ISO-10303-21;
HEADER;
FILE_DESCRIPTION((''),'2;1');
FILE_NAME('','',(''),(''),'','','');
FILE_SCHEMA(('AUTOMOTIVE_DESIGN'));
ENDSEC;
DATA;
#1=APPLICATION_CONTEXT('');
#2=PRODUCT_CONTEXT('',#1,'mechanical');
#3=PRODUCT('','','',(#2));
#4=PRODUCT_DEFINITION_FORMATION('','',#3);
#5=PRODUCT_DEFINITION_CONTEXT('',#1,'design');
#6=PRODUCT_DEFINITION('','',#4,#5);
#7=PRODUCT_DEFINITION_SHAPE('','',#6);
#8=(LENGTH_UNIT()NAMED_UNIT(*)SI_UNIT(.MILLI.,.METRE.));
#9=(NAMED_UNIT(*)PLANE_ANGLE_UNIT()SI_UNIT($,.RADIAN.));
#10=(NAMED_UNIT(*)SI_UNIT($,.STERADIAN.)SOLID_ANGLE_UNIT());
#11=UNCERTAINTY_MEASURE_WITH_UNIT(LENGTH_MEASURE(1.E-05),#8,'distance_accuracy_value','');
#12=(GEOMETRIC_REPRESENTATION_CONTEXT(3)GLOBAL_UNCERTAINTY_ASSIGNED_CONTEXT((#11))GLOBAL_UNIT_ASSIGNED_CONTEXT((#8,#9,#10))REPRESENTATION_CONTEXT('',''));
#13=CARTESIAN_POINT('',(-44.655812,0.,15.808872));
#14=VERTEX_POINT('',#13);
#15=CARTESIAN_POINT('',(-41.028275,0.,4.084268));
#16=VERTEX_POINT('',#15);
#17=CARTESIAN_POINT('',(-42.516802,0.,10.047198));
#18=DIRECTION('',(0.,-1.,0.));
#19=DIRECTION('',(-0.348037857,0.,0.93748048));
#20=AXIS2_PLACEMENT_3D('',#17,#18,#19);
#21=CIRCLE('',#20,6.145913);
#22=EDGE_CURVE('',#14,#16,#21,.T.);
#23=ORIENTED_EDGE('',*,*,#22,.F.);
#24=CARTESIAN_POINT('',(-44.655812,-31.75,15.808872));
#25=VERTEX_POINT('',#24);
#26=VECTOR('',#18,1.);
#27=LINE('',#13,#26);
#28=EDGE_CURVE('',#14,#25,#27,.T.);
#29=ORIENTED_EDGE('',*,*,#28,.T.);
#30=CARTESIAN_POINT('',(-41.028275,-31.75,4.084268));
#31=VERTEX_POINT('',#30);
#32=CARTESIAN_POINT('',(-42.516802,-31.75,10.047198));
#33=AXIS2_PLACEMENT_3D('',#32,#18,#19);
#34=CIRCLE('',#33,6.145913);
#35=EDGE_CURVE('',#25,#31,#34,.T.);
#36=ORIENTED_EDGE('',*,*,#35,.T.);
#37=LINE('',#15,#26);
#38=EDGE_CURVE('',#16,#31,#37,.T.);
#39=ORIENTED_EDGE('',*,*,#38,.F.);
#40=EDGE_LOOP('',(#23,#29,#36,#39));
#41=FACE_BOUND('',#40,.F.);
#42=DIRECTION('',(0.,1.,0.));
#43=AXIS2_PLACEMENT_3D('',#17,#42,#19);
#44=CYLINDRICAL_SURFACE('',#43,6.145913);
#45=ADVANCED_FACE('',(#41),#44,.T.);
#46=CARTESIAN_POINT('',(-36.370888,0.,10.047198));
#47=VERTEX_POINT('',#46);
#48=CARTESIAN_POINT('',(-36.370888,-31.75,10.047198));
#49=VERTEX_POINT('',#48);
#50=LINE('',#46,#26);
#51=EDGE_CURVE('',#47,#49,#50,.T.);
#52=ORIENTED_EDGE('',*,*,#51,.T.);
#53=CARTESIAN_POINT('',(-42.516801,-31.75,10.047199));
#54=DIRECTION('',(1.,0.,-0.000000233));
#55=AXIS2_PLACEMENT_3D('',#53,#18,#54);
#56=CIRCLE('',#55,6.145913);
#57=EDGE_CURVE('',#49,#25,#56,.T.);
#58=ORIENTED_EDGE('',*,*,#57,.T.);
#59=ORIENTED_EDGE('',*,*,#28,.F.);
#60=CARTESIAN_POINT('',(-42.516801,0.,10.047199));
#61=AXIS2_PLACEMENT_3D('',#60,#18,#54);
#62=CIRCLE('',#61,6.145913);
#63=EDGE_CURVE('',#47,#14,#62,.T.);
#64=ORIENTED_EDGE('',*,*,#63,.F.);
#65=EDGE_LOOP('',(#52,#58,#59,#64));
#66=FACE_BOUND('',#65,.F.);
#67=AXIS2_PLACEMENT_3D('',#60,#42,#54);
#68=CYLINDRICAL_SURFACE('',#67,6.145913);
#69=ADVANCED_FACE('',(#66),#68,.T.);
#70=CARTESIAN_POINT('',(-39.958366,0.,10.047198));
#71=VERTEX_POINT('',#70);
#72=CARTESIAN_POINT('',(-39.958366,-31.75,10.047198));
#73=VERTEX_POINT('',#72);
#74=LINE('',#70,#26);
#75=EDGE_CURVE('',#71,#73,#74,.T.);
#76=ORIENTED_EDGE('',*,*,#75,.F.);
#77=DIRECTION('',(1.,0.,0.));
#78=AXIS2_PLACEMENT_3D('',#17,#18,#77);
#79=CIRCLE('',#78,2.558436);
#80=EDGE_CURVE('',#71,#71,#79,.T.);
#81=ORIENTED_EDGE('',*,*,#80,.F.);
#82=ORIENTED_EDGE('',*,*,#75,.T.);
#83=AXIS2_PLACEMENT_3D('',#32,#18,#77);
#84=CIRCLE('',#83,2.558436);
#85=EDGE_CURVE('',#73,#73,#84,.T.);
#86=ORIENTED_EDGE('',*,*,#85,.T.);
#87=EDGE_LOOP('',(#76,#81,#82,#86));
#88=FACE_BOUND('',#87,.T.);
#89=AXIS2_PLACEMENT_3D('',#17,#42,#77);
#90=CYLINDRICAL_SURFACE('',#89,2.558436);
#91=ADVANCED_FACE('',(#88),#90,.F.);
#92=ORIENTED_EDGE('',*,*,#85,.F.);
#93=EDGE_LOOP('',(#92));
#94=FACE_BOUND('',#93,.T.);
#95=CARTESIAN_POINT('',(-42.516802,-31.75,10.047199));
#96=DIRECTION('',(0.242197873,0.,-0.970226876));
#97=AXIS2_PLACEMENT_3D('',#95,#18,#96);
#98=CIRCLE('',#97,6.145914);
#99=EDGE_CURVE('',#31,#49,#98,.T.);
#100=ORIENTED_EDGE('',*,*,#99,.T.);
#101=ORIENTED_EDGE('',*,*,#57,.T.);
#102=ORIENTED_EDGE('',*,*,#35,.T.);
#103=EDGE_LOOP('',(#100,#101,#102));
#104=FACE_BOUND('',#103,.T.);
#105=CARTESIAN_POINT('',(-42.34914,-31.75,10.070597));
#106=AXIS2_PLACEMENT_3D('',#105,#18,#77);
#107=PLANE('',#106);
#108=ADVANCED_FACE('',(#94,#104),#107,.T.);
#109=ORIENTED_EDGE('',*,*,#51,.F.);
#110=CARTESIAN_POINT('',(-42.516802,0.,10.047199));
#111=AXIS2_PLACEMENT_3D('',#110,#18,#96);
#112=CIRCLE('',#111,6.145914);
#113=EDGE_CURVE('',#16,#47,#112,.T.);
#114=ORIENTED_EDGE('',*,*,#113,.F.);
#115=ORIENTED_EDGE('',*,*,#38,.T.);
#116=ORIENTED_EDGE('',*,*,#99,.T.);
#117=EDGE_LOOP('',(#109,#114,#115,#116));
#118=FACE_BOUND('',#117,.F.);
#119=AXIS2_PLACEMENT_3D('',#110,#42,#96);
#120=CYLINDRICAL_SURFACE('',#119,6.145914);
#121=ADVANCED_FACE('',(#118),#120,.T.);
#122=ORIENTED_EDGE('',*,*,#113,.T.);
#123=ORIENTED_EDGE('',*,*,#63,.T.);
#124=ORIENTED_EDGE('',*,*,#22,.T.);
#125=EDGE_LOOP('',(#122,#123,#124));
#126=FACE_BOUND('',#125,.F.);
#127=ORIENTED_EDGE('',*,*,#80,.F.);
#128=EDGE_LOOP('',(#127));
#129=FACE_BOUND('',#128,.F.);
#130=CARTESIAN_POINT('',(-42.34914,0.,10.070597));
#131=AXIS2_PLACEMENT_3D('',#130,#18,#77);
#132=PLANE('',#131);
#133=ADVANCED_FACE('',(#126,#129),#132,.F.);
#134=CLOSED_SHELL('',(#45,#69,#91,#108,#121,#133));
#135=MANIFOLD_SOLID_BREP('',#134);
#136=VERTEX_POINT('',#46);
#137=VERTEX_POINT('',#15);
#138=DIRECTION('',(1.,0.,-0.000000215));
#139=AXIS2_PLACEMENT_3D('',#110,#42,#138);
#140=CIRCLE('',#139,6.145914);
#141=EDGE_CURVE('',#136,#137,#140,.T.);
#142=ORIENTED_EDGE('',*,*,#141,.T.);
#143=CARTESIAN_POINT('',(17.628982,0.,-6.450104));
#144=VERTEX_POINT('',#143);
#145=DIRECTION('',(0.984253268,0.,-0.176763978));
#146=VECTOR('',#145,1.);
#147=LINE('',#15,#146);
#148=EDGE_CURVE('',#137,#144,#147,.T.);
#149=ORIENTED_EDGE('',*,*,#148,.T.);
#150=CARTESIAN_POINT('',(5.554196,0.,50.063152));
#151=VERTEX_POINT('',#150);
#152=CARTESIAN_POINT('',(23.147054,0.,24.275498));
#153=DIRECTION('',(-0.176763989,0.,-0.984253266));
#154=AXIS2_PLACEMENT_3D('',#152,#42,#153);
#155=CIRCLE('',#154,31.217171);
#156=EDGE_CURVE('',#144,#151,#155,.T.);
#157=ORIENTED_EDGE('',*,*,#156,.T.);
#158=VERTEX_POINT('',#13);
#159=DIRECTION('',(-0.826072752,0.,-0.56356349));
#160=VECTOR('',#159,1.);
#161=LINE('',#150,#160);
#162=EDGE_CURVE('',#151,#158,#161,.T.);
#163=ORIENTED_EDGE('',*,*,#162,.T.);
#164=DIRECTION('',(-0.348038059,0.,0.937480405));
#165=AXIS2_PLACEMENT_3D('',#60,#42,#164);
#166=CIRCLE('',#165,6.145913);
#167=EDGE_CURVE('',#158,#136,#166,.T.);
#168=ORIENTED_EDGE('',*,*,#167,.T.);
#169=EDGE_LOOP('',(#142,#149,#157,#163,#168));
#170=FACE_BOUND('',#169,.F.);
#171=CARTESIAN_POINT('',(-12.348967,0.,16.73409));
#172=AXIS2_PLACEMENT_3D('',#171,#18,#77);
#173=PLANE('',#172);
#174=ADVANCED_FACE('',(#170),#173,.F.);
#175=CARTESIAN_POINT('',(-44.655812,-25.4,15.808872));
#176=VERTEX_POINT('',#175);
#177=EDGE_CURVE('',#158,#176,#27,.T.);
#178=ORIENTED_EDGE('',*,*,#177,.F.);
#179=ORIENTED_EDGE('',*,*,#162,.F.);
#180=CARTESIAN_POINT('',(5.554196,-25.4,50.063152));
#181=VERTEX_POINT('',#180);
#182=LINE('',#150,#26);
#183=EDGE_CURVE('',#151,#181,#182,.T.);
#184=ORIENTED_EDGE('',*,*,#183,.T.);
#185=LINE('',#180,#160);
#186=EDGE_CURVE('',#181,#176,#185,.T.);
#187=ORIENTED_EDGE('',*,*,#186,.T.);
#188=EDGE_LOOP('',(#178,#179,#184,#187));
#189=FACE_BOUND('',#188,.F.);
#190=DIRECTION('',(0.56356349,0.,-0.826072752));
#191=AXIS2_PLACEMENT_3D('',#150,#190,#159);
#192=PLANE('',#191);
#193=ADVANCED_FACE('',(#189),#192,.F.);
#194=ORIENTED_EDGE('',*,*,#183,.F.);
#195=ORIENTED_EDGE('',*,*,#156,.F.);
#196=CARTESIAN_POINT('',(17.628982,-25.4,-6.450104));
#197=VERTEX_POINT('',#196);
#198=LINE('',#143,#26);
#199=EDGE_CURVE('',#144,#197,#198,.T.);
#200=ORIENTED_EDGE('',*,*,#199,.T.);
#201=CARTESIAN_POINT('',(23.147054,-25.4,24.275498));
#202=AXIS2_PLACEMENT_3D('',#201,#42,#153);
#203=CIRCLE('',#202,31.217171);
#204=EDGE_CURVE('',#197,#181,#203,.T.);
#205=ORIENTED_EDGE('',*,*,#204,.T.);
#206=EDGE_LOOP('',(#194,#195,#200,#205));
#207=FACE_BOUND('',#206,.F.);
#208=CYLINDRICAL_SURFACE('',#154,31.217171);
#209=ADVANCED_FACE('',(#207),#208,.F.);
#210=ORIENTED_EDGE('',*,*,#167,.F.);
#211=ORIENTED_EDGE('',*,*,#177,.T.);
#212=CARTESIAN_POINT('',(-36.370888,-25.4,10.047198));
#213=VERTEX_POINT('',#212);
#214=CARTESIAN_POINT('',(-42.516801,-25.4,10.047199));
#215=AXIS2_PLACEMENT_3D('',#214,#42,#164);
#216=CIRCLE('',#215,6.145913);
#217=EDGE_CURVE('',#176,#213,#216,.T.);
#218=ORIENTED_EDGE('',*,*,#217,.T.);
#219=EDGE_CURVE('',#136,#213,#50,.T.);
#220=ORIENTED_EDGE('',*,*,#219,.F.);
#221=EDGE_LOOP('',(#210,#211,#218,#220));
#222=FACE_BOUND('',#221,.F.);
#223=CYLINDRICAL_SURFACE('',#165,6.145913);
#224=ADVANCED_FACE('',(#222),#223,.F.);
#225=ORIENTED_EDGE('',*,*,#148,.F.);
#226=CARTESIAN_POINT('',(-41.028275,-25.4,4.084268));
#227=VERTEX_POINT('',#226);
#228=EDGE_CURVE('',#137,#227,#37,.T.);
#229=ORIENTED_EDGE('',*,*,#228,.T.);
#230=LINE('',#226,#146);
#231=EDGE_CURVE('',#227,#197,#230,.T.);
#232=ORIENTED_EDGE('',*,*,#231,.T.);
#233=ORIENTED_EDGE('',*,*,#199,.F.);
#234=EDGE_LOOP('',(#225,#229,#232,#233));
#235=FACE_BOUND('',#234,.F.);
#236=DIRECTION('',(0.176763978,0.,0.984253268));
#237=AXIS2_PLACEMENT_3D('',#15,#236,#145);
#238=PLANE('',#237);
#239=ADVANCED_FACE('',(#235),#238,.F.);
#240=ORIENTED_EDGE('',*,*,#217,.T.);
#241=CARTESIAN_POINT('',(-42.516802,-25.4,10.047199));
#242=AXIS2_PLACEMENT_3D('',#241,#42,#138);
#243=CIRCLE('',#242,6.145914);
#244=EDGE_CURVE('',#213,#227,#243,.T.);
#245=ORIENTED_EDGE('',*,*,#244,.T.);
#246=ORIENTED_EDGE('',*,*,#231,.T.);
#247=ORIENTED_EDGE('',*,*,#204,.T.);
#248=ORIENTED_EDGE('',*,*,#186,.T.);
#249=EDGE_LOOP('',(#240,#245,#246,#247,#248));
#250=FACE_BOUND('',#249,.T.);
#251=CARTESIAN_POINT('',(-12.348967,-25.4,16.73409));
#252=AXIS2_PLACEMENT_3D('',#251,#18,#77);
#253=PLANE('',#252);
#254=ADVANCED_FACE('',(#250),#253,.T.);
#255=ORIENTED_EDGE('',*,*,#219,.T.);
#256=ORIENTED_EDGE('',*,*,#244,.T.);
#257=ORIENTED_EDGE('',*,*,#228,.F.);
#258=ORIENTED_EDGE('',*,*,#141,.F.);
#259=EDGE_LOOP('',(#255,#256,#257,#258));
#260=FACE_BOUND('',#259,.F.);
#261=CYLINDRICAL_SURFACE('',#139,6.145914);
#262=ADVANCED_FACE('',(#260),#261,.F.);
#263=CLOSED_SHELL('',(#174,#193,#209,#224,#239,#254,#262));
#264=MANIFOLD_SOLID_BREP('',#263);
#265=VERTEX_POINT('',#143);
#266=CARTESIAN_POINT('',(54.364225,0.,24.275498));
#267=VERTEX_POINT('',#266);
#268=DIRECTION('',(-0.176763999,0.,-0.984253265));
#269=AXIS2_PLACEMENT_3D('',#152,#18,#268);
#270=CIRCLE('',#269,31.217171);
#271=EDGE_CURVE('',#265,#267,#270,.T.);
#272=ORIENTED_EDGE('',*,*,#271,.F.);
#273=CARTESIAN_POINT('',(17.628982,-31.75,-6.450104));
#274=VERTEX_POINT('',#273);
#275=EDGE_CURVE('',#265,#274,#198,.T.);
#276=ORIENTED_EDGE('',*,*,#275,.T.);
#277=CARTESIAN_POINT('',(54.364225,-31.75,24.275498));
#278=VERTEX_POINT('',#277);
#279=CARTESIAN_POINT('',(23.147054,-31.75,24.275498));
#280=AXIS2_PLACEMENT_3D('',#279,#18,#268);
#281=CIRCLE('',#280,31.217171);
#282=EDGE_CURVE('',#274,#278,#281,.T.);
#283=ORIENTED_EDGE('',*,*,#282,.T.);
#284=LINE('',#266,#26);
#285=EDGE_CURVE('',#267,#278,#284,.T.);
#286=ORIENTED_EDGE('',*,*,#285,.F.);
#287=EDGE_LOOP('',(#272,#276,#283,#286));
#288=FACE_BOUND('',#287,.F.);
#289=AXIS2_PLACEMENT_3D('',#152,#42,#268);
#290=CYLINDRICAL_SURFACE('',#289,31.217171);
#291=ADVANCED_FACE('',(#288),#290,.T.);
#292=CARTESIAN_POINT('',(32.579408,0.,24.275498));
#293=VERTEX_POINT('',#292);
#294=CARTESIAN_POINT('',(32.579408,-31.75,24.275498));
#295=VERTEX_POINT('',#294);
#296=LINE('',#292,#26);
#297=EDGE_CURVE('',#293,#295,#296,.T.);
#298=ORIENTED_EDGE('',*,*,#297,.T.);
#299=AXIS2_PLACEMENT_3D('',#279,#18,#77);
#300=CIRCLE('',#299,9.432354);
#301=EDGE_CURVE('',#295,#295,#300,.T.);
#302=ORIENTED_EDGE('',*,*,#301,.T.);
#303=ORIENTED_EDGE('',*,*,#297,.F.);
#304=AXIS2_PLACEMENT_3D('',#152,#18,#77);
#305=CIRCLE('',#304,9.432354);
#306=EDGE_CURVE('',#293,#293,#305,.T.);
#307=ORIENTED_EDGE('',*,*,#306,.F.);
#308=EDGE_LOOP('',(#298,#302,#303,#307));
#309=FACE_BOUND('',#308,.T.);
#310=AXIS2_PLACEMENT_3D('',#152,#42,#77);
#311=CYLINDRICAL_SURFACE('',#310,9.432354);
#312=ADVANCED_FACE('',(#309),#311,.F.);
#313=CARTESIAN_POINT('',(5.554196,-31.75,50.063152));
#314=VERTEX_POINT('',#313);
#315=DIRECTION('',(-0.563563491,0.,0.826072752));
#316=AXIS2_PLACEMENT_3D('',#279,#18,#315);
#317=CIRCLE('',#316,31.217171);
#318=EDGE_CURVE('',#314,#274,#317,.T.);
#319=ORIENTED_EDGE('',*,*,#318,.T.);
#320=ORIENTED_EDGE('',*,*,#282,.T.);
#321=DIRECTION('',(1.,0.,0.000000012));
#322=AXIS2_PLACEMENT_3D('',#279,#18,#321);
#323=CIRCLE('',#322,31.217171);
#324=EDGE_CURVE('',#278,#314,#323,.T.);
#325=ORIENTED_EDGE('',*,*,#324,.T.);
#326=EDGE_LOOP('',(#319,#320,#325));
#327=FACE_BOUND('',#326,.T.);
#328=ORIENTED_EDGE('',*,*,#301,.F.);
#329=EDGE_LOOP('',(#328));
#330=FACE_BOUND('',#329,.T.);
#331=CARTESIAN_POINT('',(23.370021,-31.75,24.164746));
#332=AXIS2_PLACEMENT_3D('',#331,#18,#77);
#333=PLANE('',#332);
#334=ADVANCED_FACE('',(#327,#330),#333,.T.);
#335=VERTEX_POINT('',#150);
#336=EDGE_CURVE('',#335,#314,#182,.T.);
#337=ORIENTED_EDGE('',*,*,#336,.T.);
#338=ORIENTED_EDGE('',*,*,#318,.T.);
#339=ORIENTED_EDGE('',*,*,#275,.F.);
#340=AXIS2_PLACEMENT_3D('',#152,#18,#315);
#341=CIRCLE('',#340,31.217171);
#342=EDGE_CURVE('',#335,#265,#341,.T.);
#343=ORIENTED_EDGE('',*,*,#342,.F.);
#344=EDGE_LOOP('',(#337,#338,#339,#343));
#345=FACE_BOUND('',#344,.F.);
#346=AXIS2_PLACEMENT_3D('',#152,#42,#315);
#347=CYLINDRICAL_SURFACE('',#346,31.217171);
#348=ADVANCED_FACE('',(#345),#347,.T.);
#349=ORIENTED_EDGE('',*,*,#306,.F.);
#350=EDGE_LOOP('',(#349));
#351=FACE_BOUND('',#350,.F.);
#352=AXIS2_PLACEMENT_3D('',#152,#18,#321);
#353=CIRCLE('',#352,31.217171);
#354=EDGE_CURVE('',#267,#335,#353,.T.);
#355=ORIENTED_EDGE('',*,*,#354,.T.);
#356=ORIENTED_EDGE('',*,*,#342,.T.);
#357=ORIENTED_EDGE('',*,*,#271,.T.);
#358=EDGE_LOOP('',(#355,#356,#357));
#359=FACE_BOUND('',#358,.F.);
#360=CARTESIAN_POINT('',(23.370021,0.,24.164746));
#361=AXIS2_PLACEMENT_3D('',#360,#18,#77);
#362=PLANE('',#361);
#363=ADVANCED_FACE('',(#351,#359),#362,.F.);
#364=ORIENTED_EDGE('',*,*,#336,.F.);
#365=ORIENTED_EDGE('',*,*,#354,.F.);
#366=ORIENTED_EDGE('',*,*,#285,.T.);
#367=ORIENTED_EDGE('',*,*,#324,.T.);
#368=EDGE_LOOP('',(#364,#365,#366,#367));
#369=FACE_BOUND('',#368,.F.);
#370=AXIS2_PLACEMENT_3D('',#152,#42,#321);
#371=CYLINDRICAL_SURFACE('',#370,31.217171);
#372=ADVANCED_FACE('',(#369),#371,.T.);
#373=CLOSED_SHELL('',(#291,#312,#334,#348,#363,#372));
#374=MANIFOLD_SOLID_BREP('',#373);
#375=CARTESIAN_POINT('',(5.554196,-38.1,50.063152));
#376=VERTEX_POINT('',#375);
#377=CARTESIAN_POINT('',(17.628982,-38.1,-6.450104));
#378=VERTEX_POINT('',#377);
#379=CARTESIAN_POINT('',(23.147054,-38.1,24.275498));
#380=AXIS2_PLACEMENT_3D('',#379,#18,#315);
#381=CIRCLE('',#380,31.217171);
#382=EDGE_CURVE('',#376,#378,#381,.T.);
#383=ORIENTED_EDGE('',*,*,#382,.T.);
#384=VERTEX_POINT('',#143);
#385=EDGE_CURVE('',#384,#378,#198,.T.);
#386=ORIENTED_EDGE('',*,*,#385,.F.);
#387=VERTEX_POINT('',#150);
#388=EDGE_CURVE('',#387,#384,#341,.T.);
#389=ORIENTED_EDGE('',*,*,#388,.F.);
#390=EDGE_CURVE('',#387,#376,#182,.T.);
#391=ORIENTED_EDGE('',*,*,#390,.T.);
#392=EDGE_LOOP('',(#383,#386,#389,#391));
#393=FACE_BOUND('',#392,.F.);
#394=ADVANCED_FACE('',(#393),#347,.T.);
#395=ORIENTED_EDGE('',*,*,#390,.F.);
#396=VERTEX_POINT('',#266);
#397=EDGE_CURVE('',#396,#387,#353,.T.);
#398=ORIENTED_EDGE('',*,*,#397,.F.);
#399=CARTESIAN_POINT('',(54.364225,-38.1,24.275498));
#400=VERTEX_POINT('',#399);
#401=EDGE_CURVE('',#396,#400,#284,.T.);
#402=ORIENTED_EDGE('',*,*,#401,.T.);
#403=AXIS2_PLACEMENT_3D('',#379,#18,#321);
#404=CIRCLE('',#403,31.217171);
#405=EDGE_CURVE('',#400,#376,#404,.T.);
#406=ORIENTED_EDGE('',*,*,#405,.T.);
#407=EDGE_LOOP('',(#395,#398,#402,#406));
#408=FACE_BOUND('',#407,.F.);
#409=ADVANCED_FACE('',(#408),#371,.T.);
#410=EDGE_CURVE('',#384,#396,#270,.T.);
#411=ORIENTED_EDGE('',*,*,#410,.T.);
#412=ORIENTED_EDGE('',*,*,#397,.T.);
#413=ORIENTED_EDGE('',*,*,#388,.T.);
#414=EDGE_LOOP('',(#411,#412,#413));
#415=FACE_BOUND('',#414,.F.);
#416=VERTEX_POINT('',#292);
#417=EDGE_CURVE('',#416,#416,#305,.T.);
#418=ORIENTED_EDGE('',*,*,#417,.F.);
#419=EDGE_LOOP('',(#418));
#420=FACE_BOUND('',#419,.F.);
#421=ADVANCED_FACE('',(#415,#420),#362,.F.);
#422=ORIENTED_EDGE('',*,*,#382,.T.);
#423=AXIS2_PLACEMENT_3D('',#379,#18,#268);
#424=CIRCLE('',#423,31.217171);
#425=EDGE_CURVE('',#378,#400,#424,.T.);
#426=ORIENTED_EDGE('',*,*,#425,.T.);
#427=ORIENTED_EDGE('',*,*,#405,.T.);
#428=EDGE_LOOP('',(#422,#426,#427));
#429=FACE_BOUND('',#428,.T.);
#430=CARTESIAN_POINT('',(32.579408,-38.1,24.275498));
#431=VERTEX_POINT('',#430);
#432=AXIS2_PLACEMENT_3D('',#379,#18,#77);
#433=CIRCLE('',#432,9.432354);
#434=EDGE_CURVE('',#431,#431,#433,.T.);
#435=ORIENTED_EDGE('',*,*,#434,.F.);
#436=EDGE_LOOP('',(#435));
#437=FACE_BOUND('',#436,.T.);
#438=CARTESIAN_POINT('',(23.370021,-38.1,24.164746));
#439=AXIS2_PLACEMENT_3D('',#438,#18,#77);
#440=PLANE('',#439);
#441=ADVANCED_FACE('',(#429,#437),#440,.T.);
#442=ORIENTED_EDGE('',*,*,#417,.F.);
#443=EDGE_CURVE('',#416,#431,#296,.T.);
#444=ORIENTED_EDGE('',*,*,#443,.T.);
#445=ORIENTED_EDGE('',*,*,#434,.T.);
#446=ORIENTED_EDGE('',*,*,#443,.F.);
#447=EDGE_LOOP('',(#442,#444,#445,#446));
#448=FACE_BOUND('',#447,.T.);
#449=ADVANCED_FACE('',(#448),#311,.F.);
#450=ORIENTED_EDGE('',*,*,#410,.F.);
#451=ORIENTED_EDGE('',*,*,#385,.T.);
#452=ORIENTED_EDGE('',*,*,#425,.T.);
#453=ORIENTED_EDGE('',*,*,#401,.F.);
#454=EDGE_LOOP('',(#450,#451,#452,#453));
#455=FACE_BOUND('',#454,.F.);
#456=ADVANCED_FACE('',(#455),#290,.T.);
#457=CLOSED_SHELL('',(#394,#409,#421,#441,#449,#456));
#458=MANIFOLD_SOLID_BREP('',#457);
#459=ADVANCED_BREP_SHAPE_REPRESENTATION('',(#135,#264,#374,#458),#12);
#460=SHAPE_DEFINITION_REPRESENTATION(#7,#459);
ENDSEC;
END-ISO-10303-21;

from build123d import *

# Parameters (mm, degrees)
F0_R     = 2.558436
F0_R_2   = 9.432354
F1_DEPTH = 31.75
F2_DEPTH = 25.4
F3_DEPTH = 38.1


with BuildPart() as f1:
    # F0 (on Front) → F1 (new body)
    with BuildSketch(Plane.XZ):
        with BuildLine():
            ThreePointArc((-41.028275, 4.084268), (-37.673218, 6.264085), (-36.370888, 10.047198))
            ThreePointArc((-36.370888, 10.047198), (-39.007807, 15.092911), (-44.655812, 15.808872))
            ThreePointArc((-44.655812, 15.808872), (-48.388119, 8.230641), (-41.028275, 4.084268))
        make_face()
        with Locations((-42.516802, 10.047198)):
            Circle(F0_R, mode=Mode.SUBTRACT)
        with BuildLine():
            ThreePointArc((54.364225, 24.275498), (37.729792, 51.877228), (5.554196, 50.063152))
            ThreePointArc((5.554196, 50.063152), (-7.381061, 17.752772), (17.628982, -6.450104))
            ThreePointArc((17.628982, -6.450104), (43.175199, 0.330036), (54.364225, 24.275498))
        make_face()
        with Locations((23.147054, 24.275498)):
            Circle(F0_R_2, mode=Mode.SUBTRACT)
    extrude(amount=F1_DEPTH)


with BuildPart() as f2:
    # F0 (on Front) → F2 (new body)
    with BuildSketch(Plane.XZ):
        with BuildLine():
            ThreePointArc((-44.655812, 15.808872), (-39.007807, 15.092911), (-36.370888, 10.047198))
            ThreePointArc((-36.370888, 10.047198), (-37.673218, 6.264085), (-41.028275, 4.084268))
            Line((-41.028275, 4.084268), (17.628982, -6.450104))
            ThreePointArc((17.628982, -6.450104), (-7.381061, 17.752772), (5.554196, 50.063152))
            Line((5.554196, 50.063152), (-44.655812, 15.808872))
        make_face()
    extrude(amount=F2_DEPTH)


with BuildPart() as f3:
    # F0 (on Front) → F3 (new body)
    with BuildSketch(Plane.XZ):
        with BuildLine():
            ThreePointArc((54.364225, 24.275498), (37.729792, 51.877228), (5.554196, 50.063152))
            ThreePointArc((5.554196, 50.063152), (-7.381061, 17.752772), (17.628982, -6.450104))
            ThreePointArc((17.628982, -6.450104), (43.175199, 0.330036), (54.364225, 24.275498))
        make_face()
        with Locations((23.147054, 24.275498)):
            Circle(F0_R_2, mode=Mode.SUBTRACT)
    extrude(amount=F3_DEPTH)


solid = Compound([f1.part, f2.part, f3.part])
